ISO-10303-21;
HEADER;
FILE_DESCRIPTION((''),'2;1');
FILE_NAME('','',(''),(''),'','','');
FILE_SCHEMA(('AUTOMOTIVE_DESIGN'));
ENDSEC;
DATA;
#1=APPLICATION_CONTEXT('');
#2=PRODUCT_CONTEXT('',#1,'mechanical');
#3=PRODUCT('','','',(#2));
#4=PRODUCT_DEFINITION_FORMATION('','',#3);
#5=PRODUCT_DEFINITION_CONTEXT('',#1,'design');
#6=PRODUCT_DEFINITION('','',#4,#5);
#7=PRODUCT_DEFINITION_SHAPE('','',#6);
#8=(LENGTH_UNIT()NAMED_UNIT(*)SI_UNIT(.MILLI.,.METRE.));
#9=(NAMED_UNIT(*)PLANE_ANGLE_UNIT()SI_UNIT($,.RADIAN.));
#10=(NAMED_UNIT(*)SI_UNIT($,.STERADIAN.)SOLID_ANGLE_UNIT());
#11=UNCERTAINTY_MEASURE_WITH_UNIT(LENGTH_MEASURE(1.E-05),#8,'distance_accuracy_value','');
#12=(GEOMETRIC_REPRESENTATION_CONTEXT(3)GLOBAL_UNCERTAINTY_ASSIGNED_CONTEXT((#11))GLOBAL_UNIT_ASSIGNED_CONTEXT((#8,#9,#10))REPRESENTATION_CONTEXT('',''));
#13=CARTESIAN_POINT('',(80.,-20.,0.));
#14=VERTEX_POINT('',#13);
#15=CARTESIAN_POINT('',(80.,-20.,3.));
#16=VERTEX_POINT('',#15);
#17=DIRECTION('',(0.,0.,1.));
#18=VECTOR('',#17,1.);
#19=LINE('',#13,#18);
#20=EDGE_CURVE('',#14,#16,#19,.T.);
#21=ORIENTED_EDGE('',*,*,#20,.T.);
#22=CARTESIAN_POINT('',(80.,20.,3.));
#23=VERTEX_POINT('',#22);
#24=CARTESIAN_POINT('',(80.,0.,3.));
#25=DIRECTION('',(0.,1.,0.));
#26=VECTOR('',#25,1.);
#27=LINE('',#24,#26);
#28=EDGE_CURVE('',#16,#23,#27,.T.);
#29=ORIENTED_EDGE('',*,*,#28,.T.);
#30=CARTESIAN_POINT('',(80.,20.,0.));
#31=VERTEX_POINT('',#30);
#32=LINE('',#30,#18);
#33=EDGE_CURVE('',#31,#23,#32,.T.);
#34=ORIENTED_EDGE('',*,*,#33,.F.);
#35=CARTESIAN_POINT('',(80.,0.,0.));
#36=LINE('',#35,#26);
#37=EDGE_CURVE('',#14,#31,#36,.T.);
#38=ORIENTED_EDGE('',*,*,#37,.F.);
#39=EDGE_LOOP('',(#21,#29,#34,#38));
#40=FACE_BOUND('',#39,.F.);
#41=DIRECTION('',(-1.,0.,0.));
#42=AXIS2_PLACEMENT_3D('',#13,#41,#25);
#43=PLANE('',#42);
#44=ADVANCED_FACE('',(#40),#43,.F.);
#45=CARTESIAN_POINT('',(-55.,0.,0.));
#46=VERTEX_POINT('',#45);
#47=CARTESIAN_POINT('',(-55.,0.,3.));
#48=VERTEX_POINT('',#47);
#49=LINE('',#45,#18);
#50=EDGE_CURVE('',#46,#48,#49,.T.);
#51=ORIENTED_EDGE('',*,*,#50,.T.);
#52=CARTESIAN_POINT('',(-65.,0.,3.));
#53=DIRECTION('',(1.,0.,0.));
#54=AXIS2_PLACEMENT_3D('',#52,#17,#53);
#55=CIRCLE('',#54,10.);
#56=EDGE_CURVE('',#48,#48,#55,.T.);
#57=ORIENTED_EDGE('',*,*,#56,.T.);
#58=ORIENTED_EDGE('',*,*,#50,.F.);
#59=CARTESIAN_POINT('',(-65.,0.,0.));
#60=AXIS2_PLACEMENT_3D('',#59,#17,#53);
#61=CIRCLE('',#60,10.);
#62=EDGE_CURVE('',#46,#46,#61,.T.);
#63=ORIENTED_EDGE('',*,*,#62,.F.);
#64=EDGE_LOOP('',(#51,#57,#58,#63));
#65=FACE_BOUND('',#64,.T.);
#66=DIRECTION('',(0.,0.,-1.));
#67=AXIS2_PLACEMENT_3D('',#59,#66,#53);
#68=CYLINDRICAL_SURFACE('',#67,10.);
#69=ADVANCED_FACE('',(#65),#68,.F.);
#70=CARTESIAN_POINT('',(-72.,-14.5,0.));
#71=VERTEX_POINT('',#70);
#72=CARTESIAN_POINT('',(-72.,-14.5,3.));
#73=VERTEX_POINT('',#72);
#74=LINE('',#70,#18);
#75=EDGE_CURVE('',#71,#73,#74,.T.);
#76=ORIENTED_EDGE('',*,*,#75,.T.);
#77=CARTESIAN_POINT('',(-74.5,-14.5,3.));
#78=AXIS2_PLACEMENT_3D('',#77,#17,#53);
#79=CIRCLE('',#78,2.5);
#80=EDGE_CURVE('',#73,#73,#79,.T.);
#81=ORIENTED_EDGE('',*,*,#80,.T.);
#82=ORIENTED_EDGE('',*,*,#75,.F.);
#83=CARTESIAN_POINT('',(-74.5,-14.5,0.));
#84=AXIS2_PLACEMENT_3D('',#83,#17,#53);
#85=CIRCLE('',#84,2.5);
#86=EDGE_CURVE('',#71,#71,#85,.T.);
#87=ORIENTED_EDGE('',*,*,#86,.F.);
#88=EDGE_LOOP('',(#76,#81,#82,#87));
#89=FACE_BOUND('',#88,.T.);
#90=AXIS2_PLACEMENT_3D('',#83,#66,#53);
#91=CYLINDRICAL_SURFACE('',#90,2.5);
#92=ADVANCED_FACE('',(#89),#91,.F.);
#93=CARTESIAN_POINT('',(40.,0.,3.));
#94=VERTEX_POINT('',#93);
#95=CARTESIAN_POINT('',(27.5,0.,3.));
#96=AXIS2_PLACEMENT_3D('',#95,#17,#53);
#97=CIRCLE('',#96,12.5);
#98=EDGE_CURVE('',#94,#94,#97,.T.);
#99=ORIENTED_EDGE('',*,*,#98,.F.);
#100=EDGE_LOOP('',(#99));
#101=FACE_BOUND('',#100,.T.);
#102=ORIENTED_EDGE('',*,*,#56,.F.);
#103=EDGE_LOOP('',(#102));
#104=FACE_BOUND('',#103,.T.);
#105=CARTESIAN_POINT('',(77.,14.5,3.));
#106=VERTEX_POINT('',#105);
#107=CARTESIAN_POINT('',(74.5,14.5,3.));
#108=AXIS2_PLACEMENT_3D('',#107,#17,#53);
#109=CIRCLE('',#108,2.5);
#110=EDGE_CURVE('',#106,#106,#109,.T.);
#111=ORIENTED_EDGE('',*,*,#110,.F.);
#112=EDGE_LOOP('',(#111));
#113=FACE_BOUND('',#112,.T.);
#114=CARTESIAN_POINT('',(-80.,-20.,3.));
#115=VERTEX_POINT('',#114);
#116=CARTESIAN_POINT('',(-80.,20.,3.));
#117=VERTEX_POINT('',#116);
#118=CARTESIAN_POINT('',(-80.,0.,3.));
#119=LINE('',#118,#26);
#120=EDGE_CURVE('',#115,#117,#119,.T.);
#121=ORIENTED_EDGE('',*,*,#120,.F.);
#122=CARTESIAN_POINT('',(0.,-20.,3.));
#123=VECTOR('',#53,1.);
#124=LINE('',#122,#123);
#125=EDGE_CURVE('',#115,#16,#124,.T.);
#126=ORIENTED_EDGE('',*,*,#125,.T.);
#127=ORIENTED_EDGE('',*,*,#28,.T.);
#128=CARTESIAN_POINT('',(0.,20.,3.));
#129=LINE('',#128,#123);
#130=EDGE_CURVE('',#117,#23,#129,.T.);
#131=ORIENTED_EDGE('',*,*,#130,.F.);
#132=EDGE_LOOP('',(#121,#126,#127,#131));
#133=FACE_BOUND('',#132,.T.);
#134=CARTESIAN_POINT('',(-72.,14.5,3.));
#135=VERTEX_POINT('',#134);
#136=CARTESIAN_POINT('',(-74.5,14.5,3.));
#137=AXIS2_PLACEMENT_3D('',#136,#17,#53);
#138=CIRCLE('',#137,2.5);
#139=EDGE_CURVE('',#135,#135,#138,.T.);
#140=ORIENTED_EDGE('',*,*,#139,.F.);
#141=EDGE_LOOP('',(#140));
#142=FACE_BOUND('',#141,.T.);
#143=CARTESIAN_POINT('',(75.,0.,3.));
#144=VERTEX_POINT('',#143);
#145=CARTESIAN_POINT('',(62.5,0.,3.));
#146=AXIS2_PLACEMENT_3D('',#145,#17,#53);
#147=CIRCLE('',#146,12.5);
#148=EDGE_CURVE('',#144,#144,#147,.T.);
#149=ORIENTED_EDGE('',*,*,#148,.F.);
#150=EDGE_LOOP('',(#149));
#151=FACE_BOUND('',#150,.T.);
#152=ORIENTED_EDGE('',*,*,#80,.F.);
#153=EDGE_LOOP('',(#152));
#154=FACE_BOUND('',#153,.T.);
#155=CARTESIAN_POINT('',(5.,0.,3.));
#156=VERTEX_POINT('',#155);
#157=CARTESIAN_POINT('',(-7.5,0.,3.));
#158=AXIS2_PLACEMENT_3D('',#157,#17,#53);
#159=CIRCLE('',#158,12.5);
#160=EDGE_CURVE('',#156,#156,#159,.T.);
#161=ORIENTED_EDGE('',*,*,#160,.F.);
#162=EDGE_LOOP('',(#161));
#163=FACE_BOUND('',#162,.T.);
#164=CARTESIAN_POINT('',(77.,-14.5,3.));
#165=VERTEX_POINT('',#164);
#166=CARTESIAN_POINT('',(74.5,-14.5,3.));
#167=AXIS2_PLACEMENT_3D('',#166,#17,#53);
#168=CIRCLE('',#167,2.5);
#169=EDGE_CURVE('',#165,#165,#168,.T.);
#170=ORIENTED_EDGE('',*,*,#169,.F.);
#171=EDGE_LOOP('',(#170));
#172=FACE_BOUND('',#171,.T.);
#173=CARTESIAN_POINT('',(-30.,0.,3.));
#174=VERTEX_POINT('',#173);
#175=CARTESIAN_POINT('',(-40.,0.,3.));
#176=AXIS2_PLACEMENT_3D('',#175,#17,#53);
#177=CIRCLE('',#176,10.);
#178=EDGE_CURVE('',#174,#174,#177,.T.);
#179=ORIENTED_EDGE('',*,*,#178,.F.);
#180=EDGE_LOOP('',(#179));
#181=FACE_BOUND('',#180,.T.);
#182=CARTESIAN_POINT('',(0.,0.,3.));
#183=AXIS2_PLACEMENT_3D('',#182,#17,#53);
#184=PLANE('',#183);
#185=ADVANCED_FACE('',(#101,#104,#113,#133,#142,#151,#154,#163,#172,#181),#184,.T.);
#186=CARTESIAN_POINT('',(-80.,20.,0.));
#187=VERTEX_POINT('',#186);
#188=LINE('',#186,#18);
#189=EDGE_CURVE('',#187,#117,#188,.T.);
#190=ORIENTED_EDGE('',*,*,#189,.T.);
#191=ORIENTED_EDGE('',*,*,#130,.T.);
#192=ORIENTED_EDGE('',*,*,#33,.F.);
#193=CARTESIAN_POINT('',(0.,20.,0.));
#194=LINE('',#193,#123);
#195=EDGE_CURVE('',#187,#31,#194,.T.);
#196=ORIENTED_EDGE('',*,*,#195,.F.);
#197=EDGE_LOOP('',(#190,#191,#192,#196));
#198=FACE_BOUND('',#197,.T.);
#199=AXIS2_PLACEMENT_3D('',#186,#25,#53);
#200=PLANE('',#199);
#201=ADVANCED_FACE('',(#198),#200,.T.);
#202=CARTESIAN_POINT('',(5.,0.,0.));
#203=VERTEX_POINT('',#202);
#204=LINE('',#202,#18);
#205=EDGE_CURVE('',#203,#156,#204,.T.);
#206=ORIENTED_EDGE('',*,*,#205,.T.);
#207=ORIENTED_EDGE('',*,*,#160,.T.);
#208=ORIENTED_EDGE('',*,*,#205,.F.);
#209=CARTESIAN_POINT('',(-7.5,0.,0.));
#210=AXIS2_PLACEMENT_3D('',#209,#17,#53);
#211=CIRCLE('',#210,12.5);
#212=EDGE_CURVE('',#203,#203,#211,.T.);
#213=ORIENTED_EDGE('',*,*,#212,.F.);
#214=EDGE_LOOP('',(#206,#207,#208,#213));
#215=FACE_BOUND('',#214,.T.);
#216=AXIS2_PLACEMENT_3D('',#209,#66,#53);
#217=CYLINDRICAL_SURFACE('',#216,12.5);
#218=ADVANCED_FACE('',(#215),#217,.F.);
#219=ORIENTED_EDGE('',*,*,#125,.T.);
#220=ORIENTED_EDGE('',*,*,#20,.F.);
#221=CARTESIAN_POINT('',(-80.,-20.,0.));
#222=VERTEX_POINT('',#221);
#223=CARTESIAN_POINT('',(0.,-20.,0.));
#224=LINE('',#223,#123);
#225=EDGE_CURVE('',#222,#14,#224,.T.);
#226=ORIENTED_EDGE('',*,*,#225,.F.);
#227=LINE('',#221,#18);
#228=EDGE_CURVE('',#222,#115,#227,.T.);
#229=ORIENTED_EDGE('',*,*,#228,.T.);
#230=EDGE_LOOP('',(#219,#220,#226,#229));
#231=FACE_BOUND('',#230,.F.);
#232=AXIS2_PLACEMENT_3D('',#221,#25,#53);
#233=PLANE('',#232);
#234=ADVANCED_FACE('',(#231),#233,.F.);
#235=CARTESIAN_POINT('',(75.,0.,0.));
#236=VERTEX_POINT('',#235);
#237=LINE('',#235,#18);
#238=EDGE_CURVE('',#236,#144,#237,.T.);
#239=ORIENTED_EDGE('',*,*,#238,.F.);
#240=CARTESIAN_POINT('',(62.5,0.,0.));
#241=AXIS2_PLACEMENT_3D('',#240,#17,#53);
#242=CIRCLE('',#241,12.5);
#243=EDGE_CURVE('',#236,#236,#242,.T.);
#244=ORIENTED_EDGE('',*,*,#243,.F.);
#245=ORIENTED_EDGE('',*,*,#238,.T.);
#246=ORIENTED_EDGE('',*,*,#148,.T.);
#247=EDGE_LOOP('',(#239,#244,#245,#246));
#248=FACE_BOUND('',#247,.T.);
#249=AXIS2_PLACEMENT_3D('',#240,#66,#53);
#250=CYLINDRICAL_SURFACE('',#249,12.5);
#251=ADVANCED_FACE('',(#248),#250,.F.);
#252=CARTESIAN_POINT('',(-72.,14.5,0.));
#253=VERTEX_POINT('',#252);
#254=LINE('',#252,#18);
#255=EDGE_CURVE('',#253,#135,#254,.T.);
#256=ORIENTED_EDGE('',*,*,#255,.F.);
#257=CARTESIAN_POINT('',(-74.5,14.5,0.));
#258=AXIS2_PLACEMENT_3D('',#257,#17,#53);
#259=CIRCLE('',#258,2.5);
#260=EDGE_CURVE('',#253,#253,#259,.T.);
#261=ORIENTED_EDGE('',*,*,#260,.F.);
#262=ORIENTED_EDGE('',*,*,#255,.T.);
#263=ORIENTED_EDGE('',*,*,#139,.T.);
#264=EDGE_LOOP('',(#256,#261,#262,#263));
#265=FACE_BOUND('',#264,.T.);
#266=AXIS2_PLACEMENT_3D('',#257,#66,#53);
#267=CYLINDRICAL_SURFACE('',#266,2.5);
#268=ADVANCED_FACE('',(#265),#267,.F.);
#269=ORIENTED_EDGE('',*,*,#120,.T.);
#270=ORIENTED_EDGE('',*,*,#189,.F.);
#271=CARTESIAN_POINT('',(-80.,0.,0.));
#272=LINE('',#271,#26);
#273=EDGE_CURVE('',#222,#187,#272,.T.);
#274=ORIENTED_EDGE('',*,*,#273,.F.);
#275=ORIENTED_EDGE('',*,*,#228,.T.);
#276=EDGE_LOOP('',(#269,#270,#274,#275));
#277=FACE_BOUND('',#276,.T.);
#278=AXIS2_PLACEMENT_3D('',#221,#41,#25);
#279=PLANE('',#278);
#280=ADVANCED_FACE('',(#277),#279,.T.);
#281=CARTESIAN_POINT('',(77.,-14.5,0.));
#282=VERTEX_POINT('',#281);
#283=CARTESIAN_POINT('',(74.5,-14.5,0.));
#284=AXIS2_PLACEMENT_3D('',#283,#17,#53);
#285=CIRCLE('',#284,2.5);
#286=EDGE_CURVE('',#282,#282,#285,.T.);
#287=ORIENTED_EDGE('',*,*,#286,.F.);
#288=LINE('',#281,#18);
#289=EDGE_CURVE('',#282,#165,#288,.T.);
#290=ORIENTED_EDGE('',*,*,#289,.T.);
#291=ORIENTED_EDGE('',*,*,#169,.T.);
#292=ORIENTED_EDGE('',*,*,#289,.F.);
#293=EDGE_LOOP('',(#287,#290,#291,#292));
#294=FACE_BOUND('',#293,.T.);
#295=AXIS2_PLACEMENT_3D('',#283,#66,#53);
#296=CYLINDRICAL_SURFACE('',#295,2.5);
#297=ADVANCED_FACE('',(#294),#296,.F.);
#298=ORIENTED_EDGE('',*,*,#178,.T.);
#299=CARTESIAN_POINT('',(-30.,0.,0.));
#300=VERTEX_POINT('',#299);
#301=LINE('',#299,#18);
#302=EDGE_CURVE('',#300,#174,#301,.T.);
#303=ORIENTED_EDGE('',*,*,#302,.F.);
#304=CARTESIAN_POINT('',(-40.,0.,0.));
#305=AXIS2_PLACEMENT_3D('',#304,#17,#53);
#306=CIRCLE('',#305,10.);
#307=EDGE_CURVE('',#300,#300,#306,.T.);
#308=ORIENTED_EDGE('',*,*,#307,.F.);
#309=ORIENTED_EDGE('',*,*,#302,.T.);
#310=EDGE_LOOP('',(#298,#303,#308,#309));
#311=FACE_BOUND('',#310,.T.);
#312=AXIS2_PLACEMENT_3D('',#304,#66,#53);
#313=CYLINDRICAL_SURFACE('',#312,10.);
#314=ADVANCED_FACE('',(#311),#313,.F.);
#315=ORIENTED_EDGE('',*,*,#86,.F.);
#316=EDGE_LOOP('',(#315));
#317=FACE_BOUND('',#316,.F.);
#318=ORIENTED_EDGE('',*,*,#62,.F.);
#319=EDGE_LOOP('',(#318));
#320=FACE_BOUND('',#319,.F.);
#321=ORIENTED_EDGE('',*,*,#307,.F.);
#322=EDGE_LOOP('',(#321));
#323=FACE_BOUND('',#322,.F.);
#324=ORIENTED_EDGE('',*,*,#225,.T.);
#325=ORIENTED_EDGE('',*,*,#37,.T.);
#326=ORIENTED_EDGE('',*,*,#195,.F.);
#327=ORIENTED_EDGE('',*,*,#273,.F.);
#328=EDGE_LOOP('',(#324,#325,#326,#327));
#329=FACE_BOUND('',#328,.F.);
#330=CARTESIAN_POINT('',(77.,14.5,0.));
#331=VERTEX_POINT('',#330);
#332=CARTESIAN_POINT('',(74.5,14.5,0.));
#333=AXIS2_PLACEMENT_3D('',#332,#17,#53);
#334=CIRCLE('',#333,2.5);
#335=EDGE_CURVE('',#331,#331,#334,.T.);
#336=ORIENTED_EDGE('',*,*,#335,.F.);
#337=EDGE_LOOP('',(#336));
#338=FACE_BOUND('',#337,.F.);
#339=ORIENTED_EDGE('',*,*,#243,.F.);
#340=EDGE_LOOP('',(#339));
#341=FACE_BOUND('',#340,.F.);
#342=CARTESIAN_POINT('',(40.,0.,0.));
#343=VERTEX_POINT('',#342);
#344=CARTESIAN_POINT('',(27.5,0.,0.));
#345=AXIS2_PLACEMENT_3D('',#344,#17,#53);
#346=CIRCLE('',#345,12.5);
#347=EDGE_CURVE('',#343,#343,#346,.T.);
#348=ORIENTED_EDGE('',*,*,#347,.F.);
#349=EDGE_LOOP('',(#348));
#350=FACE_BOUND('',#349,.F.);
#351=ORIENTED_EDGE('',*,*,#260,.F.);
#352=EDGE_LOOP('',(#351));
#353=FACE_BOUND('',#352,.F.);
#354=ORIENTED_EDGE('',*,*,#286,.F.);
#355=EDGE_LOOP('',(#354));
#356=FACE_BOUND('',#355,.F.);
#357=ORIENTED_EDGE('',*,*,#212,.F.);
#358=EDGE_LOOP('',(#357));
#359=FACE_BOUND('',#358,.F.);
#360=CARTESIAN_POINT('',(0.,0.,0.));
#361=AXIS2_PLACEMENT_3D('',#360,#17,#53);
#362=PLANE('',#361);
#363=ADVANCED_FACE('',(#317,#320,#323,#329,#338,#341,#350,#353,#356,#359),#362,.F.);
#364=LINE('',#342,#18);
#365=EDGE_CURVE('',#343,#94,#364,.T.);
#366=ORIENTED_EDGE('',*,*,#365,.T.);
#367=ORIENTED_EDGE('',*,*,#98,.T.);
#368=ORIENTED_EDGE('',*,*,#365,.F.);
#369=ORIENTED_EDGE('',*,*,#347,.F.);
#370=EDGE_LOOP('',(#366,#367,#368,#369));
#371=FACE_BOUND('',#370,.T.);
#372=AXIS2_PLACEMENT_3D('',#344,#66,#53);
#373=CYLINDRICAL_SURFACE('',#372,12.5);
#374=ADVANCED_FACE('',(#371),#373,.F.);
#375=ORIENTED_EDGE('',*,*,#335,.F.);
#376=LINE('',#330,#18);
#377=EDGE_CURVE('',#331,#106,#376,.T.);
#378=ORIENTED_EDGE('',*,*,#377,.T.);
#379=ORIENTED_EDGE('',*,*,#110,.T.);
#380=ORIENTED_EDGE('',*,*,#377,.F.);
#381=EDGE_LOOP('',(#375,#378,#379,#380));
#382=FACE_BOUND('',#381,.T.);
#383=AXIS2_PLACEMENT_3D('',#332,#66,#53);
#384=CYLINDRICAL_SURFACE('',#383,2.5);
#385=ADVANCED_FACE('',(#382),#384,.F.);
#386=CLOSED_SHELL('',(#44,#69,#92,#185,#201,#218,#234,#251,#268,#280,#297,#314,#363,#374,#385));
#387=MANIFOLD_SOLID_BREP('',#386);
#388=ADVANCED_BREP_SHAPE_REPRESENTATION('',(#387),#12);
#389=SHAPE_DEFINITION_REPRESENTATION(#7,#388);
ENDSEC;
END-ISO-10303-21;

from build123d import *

# Parameters (mm, degrees)
F0_W     = 160
F0_H     = 40
F0_R     = 2.5
F0_R_2   = 10
F0_R_3   = 12.5
F1_DEPTH = 3


with BuildPart() as f1:
    # F0 (on Top) → F1 (new body)
    with BuildSketch(Plane.XY):
        Rectangle(F0_W, F0_H)
        with Locations((-74.5, -14.5)):
            Circle(F0_R, mode=Mode.SUBTRACT)
        with Locations((74.5, -14.5)):
            Circle(F0_R, mode=Mode.SUBTRACT)
        with Locations((-65, 0)):
            Circle(F0_R_2, mode=Mode.SUBTRACT)
        with Locations((-40, 0)):
            Circle(F0_R_2, mode=Mode.SUBTRACT)
        with Locations((-7.5, 0)):
            Circle(F0_R_3, mode=Mode.SUBTRACT)
        with Locations((-74.5, 14.5)):
            Circle(F0_R, mode=Mode.SUBTRACT)
        with Locations((27.5, 0)):
            Circle(F0_R_3, mode=Mode.SUBTRACT)
        with Locations((62.5, 0)):
            Circle(F0_R_3, mode=Mode.SUBTRACT)
        with Locations((74.5, 14.5)):
            Circle(F0_R, mode=Mode.SUBTRACT)
    extrude(amount=F1_DEPTH)


solid = f1.part
